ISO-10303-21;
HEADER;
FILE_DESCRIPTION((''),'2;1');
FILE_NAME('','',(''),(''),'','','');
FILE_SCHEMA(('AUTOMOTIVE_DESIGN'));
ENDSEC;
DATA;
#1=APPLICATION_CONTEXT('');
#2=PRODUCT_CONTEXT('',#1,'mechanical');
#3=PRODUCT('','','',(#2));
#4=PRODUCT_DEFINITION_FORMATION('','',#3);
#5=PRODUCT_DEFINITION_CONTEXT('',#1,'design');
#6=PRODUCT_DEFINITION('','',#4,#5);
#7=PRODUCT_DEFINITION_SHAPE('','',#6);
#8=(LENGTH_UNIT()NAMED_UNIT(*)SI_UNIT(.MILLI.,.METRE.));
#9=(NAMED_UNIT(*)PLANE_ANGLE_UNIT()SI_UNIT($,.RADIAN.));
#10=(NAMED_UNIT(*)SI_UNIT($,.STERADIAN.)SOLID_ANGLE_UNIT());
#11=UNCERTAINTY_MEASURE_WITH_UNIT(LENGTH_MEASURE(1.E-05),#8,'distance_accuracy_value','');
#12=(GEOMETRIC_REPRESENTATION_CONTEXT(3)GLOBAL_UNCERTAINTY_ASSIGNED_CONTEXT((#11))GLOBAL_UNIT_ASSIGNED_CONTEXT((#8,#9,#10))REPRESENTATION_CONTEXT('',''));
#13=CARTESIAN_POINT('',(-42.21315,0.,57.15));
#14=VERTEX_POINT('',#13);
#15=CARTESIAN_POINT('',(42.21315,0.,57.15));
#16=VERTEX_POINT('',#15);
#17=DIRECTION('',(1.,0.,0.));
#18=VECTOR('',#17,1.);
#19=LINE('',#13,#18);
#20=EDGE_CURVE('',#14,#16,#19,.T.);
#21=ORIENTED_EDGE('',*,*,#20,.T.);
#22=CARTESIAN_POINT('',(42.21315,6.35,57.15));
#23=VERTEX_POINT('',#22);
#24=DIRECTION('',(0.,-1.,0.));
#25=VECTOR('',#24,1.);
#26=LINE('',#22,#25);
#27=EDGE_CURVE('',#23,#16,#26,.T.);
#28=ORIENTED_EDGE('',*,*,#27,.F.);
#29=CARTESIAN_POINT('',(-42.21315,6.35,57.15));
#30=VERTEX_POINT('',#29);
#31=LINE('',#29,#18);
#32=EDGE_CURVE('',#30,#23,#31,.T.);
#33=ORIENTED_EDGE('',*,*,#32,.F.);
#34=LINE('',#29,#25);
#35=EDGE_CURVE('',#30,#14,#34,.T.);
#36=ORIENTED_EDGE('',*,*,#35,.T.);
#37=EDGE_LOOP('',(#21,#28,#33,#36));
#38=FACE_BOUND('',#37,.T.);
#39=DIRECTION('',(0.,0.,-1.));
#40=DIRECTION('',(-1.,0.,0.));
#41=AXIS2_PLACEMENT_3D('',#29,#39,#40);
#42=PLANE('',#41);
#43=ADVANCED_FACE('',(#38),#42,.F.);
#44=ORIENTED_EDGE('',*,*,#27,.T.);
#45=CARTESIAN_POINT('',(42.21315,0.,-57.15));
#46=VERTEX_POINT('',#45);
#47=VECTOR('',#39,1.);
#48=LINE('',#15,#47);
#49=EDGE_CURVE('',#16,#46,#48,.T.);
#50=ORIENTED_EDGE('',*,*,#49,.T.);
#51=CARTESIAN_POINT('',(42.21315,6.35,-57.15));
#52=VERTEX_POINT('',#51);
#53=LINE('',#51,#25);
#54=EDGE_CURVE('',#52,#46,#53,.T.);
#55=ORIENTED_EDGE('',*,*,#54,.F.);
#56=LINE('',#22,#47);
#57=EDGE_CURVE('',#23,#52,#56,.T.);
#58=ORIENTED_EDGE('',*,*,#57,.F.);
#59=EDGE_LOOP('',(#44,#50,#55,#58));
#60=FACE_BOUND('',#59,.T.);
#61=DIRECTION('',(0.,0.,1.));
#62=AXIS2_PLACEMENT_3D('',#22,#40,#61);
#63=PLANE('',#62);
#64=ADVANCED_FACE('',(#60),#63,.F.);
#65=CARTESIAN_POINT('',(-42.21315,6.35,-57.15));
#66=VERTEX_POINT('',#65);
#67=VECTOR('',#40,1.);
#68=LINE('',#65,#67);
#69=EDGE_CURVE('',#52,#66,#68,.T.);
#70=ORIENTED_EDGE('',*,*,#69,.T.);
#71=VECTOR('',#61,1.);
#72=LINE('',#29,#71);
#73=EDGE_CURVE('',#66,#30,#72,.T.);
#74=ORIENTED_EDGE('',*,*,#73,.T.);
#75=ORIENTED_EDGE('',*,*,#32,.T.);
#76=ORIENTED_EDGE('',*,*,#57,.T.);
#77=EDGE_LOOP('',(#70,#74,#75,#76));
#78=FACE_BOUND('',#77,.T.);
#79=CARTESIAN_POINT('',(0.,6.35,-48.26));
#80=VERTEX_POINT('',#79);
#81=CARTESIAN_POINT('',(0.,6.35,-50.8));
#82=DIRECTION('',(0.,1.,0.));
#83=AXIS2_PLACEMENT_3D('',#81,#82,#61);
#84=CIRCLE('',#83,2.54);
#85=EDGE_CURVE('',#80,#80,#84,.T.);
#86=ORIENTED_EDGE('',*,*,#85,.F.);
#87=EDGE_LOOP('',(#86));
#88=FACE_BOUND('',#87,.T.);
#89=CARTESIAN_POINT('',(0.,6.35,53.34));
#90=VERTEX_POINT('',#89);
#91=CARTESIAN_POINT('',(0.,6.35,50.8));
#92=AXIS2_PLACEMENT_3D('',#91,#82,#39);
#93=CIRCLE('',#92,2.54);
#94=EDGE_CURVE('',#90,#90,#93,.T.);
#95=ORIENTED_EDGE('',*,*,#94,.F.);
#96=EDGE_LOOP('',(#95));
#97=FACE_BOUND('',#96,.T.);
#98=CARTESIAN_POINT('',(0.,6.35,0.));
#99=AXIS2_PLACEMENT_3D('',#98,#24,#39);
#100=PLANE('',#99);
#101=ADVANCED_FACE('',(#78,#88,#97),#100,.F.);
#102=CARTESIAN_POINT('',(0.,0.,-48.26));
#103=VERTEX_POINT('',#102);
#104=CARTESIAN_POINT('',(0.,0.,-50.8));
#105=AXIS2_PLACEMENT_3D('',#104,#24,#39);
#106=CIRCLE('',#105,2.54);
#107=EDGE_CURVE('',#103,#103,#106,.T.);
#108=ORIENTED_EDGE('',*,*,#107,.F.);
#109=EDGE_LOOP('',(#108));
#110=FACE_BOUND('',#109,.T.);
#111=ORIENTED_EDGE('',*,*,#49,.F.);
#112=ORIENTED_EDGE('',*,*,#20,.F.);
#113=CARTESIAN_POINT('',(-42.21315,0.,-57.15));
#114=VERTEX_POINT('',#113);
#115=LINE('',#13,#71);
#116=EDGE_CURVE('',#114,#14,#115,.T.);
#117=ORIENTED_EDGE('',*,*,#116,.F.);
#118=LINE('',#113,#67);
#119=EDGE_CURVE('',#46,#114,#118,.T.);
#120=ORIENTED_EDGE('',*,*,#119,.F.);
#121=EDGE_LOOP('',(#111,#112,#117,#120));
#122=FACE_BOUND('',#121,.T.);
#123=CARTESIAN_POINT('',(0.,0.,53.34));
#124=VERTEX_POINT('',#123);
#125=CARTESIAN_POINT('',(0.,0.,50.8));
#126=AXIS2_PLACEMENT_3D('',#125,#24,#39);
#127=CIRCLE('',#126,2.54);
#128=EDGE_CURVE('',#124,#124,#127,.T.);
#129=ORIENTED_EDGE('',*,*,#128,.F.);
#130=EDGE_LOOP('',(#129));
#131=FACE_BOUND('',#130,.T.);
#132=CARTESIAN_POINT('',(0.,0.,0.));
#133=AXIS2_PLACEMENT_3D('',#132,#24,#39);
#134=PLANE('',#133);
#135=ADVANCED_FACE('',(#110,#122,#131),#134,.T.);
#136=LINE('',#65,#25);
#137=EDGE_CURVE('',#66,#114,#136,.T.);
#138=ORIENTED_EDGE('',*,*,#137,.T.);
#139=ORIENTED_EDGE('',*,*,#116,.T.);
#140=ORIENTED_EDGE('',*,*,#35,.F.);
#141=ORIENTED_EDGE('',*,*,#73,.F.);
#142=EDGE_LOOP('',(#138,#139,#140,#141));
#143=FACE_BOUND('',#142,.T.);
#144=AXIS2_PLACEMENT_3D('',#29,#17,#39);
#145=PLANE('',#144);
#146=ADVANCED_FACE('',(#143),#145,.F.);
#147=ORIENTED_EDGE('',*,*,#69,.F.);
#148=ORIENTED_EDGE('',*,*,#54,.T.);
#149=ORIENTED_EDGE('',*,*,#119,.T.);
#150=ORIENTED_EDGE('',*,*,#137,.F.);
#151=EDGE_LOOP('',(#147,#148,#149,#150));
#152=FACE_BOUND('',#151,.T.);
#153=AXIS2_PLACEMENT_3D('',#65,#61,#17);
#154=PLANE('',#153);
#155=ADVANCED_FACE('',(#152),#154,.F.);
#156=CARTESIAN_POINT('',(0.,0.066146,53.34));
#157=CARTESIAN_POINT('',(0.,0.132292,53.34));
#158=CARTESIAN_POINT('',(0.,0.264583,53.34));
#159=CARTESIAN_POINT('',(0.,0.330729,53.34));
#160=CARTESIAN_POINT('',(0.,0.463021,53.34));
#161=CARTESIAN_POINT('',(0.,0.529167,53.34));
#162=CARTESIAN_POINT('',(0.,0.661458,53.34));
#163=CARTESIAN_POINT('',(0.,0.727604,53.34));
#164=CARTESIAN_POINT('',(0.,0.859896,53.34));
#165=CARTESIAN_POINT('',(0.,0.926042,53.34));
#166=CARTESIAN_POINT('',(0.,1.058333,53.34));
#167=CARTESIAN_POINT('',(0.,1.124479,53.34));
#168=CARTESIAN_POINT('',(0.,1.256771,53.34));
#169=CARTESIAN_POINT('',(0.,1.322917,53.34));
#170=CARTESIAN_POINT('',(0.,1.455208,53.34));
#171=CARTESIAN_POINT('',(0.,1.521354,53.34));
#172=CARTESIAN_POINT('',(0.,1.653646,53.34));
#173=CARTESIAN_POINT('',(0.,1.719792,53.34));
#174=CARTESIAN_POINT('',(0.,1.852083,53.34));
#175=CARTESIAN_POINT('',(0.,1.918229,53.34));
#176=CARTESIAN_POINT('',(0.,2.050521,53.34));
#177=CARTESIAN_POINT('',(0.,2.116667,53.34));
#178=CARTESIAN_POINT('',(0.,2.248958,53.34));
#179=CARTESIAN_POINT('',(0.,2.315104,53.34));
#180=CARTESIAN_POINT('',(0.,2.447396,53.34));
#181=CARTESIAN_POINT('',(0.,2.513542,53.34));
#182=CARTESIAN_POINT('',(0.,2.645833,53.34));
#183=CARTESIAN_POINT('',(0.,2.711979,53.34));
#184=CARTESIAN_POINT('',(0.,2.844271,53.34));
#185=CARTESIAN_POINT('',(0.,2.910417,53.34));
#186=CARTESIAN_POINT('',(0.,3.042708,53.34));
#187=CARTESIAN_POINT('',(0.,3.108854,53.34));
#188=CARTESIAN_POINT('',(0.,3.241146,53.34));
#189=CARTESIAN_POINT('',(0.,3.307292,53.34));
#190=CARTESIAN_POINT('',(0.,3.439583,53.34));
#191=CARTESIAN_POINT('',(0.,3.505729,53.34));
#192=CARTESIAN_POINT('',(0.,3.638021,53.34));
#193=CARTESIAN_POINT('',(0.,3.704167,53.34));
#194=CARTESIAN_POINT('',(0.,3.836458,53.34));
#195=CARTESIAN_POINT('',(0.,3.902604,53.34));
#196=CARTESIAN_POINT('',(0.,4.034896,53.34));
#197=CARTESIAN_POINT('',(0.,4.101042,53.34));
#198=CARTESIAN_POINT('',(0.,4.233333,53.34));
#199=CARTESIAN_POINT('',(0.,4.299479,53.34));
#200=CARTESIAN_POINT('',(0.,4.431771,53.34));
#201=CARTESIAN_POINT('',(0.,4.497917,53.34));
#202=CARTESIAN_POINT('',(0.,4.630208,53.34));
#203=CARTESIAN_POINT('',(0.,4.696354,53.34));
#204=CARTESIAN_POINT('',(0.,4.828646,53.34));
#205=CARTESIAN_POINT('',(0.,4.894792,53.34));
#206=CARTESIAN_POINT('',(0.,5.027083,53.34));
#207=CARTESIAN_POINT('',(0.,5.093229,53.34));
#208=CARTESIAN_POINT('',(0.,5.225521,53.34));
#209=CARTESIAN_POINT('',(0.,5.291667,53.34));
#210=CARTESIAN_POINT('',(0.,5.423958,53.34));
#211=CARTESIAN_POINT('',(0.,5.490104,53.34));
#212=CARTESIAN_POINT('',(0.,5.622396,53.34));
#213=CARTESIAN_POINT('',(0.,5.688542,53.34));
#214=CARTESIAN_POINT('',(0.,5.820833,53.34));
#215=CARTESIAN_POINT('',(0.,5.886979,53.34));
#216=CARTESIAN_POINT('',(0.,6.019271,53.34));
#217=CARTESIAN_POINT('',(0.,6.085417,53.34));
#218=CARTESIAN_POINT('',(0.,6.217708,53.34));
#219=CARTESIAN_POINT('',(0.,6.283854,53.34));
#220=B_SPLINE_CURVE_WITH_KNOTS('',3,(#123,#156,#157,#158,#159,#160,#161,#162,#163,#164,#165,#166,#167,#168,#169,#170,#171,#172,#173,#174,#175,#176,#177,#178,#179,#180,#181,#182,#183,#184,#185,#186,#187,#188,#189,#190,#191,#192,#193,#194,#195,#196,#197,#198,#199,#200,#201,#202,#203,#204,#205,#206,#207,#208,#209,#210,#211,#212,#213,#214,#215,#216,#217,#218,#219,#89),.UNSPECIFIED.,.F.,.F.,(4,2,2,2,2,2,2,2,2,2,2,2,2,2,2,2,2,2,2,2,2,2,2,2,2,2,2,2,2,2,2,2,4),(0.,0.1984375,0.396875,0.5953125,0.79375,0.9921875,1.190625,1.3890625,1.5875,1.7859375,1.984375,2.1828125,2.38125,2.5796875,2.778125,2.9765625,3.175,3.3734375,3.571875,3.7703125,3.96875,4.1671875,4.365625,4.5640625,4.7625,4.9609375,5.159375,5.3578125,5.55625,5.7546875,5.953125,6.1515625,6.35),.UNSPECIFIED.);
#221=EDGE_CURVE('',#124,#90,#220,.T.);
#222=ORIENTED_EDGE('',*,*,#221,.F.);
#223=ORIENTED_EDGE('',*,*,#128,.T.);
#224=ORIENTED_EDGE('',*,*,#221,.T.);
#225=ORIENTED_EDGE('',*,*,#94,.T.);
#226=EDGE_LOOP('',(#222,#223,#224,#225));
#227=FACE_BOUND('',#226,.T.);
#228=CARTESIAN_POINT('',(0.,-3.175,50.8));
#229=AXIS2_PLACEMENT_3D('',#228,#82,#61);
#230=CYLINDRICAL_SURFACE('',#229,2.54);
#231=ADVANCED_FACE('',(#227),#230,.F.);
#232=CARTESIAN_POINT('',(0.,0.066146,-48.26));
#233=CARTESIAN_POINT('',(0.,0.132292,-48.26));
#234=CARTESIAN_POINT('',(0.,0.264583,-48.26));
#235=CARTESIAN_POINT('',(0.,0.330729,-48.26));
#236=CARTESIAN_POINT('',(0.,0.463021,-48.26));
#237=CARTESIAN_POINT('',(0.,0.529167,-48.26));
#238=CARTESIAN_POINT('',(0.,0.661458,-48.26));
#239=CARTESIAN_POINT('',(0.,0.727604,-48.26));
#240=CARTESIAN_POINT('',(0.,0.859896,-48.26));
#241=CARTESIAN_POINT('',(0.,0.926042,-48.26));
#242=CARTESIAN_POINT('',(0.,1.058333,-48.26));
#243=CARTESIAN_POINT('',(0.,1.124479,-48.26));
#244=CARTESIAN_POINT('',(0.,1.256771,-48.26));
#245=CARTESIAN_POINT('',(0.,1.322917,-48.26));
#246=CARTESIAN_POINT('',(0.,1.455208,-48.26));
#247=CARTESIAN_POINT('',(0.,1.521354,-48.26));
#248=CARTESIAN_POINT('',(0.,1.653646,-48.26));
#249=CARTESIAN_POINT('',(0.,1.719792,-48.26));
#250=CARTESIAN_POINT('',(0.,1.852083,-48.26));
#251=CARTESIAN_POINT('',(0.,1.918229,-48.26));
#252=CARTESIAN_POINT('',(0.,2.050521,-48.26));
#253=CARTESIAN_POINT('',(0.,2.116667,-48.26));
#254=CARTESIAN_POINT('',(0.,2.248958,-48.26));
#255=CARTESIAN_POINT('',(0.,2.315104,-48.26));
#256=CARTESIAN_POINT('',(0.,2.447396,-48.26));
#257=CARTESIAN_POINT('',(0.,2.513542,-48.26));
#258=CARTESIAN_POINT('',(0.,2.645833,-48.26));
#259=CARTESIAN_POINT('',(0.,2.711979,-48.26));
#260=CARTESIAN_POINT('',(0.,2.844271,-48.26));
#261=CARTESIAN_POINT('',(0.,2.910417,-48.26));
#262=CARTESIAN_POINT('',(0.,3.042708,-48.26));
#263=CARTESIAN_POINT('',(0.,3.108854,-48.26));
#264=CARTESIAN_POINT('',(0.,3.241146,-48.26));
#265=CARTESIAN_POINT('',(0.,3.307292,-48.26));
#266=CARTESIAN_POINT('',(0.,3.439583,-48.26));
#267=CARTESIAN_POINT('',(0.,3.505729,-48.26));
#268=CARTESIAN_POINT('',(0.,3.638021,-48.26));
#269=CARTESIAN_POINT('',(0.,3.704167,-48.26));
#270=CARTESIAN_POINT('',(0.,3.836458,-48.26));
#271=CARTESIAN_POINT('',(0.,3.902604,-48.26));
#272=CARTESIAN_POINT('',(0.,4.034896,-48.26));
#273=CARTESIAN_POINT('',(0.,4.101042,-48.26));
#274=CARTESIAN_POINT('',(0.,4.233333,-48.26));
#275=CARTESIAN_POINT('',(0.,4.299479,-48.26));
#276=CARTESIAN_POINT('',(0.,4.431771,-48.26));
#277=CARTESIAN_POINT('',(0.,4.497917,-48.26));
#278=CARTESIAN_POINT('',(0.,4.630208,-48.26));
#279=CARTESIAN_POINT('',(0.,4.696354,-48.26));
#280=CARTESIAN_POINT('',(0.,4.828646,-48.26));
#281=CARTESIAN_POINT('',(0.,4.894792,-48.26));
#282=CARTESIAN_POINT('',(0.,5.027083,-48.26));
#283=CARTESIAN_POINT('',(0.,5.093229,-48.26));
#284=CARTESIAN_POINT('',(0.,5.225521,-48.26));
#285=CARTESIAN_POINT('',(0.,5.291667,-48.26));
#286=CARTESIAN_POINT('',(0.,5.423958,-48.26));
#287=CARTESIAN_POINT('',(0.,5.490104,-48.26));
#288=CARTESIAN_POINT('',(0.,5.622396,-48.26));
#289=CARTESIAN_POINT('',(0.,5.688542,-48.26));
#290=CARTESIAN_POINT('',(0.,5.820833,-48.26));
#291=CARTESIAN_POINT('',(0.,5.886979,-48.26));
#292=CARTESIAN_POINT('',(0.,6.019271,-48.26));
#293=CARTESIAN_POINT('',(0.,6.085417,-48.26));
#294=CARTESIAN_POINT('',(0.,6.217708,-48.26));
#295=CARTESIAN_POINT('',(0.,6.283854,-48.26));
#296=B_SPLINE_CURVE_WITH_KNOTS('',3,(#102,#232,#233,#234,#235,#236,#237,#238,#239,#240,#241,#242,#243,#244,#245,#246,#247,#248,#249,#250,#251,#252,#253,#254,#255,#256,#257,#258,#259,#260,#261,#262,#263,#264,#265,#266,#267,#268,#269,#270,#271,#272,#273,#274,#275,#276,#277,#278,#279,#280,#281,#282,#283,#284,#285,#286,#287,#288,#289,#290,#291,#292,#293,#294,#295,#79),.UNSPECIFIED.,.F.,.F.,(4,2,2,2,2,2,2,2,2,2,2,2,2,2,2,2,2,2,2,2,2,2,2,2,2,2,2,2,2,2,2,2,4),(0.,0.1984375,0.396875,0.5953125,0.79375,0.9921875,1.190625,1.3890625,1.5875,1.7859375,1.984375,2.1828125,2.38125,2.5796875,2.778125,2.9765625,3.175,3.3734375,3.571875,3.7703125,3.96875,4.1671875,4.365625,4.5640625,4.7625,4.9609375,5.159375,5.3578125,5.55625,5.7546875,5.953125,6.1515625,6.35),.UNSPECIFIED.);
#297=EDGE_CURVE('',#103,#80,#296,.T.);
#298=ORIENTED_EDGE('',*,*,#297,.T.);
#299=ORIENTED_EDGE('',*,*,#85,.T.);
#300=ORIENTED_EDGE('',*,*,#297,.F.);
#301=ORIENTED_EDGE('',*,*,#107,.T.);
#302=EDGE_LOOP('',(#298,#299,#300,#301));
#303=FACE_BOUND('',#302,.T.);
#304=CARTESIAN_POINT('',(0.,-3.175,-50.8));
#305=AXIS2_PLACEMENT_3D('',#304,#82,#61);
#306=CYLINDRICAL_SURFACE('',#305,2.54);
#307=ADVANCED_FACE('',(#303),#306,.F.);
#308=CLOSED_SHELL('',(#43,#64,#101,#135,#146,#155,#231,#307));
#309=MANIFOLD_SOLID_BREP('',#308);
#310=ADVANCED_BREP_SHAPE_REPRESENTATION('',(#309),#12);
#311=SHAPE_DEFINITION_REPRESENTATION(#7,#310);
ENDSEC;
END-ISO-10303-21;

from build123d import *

# Parameters (mm, degrees)
SKETCH1_W           = 84.4263
SKETCH1_H           = 114.3
BOSS_EXTRUDE1_DEPTH = 6.35
SKETCH3_R           = 2.54
CUT_EXTRUDE2_DEPTH  = 9.525


with BuildPart() as part:
    # Sketch1 → Boss-Extrude1 (new body)
    with BuildSketch(Plane(origin=(0, 0, 0), x_dir=(1, 0, 0), z_dir=(0, 1, 0))):
        Rectangle(SKETCH1_W, SKETCH1_H)
    extrude(amount=BOSS_EXTRUDE1_DEPTH)

    # Sketch3 → Cut-Extrude2 (cut)
    with BuildSketch(Plane(origin=(0, 6.35, 0), x_dir=(1, 0, 0), z_dir=(0, 1, 0))):
        with Locations(Location((0, 50.8, 0), (0, 0, 270))):
            Circle(SKETCH3_R)
        with Locations(Location((0, -50.8, 0), (0, 0, 270))):
            Circle(SKETCH3_R)
    extrude(amount=-CUT_EXTRUDE2_DEPTH, mode=Mode.SUBTRACT)


solid = part.part
